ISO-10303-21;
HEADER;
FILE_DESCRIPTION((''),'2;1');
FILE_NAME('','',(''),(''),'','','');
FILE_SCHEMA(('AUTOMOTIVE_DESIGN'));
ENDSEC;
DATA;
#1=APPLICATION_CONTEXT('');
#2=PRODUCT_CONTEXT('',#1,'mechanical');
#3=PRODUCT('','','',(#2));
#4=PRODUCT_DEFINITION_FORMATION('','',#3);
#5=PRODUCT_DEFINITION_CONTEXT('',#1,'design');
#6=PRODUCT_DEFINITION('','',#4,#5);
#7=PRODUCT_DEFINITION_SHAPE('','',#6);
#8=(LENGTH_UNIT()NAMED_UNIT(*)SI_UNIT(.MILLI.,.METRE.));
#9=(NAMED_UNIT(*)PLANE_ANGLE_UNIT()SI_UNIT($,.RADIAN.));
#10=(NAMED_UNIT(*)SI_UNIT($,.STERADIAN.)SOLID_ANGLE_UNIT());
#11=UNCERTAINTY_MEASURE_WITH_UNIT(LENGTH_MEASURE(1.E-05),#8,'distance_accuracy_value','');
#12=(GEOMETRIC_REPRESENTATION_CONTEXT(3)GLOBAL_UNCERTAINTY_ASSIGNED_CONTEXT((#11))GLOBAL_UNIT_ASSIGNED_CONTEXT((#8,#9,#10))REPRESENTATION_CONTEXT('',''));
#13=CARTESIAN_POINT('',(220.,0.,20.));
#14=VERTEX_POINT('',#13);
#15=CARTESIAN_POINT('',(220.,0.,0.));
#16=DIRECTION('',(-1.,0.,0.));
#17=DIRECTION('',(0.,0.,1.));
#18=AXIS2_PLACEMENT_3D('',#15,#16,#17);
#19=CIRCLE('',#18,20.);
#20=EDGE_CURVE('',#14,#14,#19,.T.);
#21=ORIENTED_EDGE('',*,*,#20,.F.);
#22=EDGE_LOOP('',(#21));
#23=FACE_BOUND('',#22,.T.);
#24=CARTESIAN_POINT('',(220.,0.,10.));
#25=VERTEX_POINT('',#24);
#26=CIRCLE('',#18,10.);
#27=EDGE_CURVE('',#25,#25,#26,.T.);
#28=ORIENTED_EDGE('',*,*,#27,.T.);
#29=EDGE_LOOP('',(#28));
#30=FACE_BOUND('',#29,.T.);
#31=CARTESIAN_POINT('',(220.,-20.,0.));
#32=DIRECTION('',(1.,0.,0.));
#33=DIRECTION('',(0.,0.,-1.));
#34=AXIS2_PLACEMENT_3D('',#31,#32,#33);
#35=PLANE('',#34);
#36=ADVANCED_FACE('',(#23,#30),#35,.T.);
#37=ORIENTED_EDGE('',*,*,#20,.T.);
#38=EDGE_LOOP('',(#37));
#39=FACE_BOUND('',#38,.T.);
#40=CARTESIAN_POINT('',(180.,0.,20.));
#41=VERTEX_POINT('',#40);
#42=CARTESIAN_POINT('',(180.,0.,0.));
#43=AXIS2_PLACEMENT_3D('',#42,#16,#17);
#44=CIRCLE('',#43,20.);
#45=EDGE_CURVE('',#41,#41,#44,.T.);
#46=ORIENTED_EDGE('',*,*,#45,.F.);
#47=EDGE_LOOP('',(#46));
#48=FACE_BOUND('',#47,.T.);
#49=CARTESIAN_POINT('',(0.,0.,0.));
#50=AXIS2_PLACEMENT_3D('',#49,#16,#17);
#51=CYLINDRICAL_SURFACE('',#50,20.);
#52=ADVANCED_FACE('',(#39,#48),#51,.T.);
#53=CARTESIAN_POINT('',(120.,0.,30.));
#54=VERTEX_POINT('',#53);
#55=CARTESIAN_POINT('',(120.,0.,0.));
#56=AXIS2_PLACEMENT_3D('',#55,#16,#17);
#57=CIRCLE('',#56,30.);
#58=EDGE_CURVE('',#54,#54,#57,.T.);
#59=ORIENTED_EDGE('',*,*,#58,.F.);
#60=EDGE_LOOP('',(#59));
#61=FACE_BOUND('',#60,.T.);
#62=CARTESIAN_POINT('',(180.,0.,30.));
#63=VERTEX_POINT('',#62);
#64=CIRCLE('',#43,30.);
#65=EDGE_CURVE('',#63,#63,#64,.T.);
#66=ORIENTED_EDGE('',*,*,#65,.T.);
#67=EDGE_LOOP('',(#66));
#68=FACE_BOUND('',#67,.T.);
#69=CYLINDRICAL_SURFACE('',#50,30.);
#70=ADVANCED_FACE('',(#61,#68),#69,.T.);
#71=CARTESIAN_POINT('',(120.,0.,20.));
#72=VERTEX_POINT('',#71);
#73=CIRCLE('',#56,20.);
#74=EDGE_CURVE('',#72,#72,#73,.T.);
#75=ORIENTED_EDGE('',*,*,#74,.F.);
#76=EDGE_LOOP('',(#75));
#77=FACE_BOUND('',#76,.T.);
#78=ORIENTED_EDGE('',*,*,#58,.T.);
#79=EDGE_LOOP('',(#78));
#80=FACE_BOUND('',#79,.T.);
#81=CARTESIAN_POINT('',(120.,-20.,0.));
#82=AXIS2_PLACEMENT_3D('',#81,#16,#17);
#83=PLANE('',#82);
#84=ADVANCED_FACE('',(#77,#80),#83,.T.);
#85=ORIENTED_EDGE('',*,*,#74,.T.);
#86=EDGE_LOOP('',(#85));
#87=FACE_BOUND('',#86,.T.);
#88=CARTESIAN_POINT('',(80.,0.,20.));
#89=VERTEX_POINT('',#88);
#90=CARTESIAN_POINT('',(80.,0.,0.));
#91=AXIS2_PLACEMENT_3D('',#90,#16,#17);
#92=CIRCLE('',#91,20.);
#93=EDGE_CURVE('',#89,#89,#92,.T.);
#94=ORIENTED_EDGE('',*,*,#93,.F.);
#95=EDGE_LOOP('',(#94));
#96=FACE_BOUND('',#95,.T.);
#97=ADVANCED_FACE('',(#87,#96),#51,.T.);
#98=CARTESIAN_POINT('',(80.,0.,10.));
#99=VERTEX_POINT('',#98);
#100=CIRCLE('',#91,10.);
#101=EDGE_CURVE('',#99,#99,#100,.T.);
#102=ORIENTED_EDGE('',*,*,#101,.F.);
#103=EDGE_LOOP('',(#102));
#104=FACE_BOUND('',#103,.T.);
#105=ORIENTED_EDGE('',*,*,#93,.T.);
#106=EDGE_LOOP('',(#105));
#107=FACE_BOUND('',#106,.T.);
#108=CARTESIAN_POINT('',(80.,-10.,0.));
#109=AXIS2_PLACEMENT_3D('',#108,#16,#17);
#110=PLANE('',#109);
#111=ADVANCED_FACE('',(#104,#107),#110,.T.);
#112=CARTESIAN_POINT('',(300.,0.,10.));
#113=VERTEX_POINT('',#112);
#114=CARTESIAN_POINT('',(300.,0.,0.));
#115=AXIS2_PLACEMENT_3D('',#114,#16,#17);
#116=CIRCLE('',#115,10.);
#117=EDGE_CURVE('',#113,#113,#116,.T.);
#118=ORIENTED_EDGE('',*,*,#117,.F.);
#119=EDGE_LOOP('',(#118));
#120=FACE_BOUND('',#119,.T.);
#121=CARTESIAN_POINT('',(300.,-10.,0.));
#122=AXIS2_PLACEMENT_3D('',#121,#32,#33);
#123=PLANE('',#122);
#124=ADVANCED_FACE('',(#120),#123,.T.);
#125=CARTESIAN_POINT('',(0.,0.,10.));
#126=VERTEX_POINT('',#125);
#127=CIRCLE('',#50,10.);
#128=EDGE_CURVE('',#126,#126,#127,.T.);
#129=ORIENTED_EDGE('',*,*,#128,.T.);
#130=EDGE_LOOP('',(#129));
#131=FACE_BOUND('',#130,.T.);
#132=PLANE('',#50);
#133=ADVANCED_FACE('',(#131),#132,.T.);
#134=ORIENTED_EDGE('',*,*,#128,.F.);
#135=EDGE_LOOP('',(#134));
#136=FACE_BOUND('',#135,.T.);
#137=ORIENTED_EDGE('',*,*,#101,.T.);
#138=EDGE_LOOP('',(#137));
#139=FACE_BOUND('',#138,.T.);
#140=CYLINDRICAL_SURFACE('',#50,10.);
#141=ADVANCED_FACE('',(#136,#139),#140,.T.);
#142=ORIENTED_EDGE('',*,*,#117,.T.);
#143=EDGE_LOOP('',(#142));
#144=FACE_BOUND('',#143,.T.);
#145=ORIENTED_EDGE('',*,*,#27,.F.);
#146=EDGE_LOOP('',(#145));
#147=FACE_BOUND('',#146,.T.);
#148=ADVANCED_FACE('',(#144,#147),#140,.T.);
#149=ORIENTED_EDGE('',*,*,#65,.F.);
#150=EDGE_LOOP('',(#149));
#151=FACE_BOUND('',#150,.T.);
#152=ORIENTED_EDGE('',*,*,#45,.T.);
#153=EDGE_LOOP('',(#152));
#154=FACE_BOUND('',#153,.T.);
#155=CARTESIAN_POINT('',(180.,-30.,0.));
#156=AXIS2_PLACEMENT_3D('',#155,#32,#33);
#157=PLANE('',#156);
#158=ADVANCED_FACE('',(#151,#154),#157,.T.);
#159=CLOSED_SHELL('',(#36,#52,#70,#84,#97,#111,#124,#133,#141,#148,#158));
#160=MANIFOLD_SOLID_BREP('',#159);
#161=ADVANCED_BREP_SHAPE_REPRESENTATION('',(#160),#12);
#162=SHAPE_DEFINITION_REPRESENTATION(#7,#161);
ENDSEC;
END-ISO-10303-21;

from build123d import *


with BuildPart() as part:
    # Sketch1 → Revolve1 (revolve)
    with BuildSketch(Plane.XY, mode=Mode.PRIVATE) as revolve1_sk:
        Polygon((0, 0), (0, -10), (80, -10), (80, -20), (120, -20), (120, -30), (180, -30), (180, -20), (220, -20), (220, -10), (300, -10), (300, 0), align=None)
    revolve(revolve1_sk.sketch.rotate(Axis((0, 0, 0), (1, 0, 0)), 270), axis=Axis((0, 0, 0), (1, 0, 0)))  # turned: the seam where the file's is


solid = part.part
